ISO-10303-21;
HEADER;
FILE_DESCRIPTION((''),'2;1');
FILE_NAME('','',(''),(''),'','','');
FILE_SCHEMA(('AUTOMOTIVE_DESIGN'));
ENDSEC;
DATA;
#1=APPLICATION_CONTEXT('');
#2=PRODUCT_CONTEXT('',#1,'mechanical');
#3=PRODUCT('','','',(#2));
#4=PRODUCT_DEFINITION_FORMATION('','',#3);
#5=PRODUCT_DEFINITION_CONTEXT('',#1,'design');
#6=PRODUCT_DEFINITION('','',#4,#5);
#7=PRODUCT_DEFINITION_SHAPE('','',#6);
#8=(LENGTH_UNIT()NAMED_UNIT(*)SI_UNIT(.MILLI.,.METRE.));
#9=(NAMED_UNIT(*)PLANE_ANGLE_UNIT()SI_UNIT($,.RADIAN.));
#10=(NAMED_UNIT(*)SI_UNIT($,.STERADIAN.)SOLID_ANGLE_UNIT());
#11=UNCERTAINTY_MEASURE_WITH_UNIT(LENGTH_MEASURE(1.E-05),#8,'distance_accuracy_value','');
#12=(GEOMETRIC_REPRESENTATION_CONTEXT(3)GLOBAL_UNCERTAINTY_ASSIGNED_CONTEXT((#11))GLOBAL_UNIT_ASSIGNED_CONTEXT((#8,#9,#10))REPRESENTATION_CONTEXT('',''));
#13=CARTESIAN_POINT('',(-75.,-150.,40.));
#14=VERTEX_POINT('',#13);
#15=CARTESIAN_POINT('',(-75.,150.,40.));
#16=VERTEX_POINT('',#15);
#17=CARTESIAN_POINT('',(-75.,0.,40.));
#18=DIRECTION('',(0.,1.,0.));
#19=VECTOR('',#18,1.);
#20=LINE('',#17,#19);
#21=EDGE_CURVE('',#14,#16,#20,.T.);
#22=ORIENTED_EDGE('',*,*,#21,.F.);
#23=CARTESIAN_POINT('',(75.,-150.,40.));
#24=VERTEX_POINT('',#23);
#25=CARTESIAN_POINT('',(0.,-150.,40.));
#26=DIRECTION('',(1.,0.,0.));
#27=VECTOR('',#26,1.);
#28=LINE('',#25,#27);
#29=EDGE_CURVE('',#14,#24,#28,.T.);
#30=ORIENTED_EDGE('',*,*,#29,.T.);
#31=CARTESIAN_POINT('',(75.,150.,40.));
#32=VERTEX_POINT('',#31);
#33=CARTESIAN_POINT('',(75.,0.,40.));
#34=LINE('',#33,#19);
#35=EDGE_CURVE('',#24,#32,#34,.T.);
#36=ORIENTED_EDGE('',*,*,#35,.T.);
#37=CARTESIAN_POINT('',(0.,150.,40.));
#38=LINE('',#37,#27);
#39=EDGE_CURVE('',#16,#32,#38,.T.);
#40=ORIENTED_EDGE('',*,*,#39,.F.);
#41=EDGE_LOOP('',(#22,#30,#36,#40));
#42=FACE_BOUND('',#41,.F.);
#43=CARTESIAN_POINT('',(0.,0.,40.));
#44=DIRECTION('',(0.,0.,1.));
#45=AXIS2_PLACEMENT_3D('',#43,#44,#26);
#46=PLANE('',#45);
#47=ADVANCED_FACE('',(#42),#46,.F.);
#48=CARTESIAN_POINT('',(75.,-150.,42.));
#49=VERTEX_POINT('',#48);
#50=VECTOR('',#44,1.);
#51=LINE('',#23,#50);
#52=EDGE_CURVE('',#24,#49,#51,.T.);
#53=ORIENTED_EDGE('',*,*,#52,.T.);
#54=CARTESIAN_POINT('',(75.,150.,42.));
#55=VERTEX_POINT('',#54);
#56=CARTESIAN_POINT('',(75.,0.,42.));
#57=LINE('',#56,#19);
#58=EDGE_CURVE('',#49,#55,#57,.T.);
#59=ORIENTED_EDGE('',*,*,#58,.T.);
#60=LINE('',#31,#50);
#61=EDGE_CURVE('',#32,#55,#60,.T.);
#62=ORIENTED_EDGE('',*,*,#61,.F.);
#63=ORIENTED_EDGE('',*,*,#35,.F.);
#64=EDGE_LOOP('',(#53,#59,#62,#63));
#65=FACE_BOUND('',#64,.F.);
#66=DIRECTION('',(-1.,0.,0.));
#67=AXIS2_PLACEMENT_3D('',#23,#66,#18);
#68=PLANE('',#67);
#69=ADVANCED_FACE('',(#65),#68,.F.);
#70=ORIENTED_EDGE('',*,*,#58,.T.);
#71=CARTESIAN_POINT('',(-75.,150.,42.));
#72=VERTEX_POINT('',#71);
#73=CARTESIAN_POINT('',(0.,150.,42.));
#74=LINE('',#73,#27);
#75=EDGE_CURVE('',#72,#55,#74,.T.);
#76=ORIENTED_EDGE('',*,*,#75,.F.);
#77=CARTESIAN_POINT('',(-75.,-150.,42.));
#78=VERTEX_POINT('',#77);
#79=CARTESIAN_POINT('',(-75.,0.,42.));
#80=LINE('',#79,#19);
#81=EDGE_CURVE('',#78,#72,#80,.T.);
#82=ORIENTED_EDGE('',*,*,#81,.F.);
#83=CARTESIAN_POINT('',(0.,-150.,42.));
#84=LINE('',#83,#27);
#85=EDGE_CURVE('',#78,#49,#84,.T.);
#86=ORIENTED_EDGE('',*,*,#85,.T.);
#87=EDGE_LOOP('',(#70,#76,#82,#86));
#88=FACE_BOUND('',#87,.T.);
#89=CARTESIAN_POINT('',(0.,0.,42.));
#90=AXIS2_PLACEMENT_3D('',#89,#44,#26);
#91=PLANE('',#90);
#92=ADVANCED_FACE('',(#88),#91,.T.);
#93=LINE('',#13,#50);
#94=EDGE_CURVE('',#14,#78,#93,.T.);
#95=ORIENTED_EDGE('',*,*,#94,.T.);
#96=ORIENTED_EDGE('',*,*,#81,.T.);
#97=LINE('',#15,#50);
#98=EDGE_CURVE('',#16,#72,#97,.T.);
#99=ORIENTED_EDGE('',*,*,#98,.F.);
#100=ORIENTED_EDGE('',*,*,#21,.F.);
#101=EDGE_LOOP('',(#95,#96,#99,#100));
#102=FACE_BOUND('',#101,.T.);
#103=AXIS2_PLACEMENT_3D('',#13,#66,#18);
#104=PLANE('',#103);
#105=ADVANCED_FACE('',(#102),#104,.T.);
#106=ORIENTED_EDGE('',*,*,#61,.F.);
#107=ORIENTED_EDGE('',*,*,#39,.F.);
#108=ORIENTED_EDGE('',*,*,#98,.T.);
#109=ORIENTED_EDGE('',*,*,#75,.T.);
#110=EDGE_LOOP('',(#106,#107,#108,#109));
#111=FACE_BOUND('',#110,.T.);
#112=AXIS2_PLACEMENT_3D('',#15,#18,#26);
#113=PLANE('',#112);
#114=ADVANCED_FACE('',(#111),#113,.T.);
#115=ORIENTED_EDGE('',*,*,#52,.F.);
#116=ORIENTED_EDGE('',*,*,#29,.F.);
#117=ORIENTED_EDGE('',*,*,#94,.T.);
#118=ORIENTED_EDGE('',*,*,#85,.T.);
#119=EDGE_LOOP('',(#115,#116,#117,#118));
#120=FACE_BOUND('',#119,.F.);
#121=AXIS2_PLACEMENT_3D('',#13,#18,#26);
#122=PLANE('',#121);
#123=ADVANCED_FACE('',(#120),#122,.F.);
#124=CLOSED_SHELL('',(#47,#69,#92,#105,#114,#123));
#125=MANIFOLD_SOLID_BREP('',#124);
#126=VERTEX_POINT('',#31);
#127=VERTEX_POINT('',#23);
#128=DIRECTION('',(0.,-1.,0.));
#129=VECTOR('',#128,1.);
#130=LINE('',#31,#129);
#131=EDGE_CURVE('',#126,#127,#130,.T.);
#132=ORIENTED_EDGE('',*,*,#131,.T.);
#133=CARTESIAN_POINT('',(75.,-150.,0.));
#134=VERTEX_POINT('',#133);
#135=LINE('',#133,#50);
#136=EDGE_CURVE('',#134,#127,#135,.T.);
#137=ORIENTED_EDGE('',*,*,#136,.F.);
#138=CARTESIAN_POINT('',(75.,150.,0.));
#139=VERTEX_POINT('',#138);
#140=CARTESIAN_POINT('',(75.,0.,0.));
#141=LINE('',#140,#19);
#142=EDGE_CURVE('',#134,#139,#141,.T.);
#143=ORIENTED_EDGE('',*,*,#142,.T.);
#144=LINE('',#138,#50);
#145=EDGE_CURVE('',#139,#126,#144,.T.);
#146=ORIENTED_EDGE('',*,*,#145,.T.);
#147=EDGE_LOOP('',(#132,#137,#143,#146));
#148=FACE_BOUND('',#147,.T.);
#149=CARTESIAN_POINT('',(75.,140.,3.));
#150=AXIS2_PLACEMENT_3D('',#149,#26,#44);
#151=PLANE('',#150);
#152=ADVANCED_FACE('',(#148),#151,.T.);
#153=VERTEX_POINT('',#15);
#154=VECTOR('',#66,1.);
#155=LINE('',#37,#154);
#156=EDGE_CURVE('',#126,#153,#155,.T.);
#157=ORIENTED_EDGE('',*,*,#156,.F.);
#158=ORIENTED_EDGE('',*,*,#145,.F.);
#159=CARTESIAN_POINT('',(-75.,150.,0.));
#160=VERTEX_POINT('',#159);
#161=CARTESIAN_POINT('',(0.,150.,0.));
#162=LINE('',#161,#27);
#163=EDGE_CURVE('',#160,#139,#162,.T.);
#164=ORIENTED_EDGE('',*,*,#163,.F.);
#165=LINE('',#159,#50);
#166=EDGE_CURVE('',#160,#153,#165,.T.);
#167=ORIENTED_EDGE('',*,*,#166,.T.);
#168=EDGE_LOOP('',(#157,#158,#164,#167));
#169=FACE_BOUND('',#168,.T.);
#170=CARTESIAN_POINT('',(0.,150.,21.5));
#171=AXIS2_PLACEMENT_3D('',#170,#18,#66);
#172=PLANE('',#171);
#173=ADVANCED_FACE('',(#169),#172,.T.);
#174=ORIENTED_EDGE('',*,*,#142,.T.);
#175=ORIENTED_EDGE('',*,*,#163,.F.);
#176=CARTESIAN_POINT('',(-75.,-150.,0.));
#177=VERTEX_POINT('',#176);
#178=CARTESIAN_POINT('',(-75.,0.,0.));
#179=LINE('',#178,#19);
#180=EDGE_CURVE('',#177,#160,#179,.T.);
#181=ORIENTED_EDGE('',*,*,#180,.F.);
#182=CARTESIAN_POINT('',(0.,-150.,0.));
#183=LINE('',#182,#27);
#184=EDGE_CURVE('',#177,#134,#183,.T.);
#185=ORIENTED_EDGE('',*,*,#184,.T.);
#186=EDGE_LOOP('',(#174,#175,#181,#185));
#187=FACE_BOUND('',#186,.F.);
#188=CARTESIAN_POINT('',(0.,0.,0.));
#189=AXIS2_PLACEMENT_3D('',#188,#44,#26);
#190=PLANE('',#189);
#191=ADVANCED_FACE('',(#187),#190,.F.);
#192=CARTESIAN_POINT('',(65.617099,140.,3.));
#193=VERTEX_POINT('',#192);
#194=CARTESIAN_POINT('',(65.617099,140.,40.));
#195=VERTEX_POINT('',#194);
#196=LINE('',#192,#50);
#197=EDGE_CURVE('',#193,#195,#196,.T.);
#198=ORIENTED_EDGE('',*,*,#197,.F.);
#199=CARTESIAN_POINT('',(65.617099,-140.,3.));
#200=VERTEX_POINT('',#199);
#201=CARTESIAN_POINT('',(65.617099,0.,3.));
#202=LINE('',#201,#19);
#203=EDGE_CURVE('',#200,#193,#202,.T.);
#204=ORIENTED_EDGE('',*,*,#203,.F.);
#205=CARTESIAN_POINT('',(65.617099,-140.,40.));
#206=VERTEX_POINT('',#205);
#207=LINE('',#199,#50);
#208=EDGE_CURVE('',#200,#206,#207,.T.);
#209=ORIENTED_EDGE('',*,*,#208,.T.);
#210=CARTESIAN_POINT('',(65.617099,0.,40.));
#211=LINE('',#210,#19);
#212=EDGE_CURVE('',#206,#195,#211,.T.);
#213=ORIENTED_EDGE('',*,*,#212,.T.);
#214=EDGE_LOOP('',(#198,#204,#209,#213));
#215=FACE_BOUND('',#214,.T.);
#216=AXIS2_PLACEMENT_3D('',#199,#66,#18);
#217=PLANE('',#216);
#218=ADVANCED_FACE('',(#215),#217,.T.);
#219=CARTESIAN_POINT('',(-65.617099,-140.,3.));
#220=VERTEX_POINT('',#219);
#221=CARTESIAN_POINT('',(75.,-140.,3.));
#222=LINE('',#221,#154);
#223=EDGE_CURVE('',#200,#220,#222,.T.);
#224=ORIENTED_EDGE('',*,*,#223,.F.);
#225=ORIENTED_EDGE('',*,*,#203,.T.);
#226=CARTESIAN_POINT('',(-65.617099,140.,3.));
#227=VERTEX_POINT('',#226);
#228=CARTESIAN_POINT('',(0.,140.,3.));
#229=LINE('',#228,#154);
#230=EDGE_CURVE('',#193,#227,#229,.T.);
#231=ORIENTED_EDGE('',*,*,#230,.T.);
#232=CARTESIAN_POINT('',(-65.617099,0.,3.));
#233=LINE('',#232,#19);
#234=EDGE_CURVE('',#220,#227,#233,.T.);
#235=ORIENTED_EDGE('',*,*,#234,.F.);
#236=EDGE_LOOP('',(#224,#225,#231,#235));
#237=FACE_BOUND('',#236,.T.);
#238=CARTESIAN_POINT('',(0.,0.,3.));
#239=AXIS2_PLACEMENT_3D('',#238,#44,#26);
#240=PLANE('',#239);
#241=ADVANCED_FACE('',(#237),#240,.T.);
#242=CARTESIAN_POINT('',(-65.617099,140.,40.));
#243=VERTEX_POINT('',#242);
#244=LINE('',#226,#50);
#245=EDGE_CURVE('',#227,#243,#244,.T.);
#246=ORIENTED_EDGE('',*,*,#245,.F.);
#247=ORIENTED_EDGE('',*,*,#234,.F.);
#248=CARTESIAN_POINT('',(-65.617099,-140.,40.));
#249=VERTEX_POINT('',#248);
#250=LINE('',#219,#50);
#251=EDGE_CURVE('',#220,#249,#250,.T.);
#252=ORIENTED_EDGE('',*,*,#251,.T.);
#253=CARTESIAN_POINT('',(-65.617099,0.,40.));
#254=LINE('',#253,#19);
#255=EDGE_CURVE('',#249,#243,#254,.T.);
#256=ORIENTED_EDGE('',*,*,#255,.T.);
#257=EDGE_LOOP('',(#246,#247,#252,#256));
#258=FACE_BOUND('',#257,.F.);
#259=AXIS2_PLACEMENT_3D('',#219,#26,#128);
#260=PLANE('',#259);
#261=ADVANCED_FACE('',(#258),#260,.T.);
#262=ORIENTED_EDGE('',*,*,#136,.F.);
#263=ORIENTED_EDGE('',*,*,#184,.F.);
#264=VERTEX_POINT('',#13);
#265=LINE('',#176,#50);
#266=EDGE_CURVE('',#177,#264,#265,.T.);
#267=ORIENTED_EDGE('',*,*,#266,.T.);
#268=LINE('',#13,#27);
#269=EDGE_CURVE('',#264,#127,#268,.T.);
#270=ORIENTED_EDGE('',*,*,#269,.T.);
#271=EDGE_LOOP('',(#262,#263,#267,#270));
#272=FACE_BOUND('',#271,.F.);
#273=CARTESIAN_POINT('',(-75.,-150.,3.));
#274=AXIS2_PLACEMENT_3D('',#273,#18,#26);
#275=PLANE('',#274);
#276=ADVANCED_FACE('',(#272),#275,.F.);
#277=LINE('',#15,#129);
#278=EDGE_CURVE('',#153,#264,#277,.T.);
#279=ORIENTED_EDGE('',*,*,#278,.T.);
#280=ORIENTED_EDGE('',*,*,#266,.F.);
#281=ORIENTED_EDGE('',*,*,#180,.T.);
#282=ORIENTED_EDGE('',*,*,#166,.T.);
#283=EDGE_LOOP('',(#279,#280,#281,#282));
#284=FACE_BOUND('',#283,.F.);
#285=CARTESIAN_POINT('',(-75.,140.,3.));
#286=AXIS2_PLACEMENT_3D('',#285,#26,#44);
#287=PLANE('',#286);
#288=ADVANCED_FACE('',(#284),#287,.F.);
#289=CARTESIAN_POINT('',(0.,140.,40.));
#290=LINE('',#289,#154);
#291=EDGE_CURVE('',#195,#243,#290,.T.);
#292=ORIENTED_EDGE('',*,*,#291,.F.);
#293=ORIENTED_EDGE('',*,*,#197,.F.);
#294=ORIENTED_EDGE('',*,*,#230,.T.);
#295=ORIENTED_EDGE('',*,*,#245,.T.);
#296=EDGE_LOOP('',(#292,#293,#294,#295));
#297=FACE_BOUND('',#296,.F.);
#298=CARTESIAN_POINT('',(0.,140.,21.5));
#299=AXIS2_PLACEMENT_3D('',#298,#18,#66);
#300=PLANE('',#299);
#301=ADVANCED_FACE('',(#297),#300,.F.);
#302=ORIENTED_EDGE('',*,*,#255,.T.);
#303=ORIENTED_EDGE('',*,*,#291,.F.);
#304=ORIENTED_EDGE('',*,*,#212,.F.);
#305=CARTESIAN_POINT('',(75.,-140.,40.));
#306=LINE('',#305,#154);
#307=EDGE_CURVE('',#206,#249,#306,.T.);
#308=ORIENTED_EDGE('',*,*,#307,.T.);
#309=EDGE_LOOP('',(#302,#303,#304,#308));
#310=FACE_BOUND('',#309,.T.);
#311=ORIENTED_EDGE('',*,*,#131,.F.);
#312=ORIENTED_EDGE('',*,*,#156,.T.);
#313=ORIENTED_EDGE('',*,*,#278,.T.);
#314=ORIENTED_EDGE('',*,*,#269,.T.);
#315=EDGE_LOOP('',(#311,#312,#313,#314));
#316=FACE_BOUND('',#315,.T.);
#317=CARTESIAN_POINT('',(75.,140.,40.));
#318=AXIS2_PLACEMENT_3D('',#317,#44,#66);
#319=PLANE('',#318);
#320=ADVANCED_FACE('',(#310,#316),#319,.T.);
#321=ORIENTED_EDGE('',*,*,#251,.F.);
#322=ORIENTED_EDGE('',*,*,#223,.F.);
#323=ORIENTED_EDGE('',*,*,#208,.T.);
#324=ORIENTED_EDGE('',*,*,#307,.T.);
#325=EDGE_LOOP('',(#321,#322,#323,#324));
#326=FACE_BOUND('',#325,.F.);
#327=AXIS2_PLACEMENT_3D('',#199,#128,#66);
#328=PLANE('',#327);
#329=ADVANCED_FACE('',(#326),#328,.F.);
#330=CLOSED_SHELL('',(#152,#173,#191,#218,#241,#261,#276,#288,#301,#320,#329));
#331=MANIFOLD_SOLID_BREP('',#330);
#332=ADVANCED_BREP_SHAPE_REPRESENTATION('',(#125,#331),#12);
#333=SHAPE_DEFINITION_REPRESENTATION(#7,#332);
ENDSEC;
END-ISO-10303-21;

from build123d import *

# Parameters (mm, degrees)
F0_W     = 150
F0_H     = 300
F1_DEPTH = 3
F2_W     = 9.3829005957
F2_H     = 280
F3_DEPTH = 37
F5_W     = 150
F5_H     = 37
F6_DEPTH = 10
F7_W     = 150
F7_H     = 300
F8_DEPTH = 2


with BuildPart() as f1:
    # F0 (on Top) → F1 (new body)
    with BuildSketch(Plane.XY):
        Rectangle(F0_W, F0_H)
    extrude(amount=F1_DEPTH)

    # F2 (on face) → F3 (join)
    with BuildSketch(Plane.XY.offset(3)):
        Polygon((-75, -140), (-75, -150), (75, -150), (75, -140), (65.6170994043, -140), align=None)
        with Locations((70.3085497022, 0)):
            Rectangle(F2_W, F2_H)
    extrude(amount=F3_DEPTH)

    # F4: F1 across plane


with BuildPart() as f1_1:
    add(f1.part)
    add(f1.part.mirror(Plane.YZ))

    # F5 (on face) → F6 (join)
    with BuildSketch(Plane(origin=(0, 140, 0), x_dir=(-1, 0, 0), z_dir=(0, 1, 0))):
        with Locations((0, 21.5)):
            Rectangle(F5_W, F5_H)
    extrude(amount=F6_DEPTH)


with BuildPart() as f8:
    # F7 (on face) → F8 (new body)
    with BuildSketch(Plane.XY.offset(40)):
        Rectangle(F7_W, F7_H)
    extrude(amount=F8_DEPTH)


solid = Compound([f1_1.part, f8.part])
